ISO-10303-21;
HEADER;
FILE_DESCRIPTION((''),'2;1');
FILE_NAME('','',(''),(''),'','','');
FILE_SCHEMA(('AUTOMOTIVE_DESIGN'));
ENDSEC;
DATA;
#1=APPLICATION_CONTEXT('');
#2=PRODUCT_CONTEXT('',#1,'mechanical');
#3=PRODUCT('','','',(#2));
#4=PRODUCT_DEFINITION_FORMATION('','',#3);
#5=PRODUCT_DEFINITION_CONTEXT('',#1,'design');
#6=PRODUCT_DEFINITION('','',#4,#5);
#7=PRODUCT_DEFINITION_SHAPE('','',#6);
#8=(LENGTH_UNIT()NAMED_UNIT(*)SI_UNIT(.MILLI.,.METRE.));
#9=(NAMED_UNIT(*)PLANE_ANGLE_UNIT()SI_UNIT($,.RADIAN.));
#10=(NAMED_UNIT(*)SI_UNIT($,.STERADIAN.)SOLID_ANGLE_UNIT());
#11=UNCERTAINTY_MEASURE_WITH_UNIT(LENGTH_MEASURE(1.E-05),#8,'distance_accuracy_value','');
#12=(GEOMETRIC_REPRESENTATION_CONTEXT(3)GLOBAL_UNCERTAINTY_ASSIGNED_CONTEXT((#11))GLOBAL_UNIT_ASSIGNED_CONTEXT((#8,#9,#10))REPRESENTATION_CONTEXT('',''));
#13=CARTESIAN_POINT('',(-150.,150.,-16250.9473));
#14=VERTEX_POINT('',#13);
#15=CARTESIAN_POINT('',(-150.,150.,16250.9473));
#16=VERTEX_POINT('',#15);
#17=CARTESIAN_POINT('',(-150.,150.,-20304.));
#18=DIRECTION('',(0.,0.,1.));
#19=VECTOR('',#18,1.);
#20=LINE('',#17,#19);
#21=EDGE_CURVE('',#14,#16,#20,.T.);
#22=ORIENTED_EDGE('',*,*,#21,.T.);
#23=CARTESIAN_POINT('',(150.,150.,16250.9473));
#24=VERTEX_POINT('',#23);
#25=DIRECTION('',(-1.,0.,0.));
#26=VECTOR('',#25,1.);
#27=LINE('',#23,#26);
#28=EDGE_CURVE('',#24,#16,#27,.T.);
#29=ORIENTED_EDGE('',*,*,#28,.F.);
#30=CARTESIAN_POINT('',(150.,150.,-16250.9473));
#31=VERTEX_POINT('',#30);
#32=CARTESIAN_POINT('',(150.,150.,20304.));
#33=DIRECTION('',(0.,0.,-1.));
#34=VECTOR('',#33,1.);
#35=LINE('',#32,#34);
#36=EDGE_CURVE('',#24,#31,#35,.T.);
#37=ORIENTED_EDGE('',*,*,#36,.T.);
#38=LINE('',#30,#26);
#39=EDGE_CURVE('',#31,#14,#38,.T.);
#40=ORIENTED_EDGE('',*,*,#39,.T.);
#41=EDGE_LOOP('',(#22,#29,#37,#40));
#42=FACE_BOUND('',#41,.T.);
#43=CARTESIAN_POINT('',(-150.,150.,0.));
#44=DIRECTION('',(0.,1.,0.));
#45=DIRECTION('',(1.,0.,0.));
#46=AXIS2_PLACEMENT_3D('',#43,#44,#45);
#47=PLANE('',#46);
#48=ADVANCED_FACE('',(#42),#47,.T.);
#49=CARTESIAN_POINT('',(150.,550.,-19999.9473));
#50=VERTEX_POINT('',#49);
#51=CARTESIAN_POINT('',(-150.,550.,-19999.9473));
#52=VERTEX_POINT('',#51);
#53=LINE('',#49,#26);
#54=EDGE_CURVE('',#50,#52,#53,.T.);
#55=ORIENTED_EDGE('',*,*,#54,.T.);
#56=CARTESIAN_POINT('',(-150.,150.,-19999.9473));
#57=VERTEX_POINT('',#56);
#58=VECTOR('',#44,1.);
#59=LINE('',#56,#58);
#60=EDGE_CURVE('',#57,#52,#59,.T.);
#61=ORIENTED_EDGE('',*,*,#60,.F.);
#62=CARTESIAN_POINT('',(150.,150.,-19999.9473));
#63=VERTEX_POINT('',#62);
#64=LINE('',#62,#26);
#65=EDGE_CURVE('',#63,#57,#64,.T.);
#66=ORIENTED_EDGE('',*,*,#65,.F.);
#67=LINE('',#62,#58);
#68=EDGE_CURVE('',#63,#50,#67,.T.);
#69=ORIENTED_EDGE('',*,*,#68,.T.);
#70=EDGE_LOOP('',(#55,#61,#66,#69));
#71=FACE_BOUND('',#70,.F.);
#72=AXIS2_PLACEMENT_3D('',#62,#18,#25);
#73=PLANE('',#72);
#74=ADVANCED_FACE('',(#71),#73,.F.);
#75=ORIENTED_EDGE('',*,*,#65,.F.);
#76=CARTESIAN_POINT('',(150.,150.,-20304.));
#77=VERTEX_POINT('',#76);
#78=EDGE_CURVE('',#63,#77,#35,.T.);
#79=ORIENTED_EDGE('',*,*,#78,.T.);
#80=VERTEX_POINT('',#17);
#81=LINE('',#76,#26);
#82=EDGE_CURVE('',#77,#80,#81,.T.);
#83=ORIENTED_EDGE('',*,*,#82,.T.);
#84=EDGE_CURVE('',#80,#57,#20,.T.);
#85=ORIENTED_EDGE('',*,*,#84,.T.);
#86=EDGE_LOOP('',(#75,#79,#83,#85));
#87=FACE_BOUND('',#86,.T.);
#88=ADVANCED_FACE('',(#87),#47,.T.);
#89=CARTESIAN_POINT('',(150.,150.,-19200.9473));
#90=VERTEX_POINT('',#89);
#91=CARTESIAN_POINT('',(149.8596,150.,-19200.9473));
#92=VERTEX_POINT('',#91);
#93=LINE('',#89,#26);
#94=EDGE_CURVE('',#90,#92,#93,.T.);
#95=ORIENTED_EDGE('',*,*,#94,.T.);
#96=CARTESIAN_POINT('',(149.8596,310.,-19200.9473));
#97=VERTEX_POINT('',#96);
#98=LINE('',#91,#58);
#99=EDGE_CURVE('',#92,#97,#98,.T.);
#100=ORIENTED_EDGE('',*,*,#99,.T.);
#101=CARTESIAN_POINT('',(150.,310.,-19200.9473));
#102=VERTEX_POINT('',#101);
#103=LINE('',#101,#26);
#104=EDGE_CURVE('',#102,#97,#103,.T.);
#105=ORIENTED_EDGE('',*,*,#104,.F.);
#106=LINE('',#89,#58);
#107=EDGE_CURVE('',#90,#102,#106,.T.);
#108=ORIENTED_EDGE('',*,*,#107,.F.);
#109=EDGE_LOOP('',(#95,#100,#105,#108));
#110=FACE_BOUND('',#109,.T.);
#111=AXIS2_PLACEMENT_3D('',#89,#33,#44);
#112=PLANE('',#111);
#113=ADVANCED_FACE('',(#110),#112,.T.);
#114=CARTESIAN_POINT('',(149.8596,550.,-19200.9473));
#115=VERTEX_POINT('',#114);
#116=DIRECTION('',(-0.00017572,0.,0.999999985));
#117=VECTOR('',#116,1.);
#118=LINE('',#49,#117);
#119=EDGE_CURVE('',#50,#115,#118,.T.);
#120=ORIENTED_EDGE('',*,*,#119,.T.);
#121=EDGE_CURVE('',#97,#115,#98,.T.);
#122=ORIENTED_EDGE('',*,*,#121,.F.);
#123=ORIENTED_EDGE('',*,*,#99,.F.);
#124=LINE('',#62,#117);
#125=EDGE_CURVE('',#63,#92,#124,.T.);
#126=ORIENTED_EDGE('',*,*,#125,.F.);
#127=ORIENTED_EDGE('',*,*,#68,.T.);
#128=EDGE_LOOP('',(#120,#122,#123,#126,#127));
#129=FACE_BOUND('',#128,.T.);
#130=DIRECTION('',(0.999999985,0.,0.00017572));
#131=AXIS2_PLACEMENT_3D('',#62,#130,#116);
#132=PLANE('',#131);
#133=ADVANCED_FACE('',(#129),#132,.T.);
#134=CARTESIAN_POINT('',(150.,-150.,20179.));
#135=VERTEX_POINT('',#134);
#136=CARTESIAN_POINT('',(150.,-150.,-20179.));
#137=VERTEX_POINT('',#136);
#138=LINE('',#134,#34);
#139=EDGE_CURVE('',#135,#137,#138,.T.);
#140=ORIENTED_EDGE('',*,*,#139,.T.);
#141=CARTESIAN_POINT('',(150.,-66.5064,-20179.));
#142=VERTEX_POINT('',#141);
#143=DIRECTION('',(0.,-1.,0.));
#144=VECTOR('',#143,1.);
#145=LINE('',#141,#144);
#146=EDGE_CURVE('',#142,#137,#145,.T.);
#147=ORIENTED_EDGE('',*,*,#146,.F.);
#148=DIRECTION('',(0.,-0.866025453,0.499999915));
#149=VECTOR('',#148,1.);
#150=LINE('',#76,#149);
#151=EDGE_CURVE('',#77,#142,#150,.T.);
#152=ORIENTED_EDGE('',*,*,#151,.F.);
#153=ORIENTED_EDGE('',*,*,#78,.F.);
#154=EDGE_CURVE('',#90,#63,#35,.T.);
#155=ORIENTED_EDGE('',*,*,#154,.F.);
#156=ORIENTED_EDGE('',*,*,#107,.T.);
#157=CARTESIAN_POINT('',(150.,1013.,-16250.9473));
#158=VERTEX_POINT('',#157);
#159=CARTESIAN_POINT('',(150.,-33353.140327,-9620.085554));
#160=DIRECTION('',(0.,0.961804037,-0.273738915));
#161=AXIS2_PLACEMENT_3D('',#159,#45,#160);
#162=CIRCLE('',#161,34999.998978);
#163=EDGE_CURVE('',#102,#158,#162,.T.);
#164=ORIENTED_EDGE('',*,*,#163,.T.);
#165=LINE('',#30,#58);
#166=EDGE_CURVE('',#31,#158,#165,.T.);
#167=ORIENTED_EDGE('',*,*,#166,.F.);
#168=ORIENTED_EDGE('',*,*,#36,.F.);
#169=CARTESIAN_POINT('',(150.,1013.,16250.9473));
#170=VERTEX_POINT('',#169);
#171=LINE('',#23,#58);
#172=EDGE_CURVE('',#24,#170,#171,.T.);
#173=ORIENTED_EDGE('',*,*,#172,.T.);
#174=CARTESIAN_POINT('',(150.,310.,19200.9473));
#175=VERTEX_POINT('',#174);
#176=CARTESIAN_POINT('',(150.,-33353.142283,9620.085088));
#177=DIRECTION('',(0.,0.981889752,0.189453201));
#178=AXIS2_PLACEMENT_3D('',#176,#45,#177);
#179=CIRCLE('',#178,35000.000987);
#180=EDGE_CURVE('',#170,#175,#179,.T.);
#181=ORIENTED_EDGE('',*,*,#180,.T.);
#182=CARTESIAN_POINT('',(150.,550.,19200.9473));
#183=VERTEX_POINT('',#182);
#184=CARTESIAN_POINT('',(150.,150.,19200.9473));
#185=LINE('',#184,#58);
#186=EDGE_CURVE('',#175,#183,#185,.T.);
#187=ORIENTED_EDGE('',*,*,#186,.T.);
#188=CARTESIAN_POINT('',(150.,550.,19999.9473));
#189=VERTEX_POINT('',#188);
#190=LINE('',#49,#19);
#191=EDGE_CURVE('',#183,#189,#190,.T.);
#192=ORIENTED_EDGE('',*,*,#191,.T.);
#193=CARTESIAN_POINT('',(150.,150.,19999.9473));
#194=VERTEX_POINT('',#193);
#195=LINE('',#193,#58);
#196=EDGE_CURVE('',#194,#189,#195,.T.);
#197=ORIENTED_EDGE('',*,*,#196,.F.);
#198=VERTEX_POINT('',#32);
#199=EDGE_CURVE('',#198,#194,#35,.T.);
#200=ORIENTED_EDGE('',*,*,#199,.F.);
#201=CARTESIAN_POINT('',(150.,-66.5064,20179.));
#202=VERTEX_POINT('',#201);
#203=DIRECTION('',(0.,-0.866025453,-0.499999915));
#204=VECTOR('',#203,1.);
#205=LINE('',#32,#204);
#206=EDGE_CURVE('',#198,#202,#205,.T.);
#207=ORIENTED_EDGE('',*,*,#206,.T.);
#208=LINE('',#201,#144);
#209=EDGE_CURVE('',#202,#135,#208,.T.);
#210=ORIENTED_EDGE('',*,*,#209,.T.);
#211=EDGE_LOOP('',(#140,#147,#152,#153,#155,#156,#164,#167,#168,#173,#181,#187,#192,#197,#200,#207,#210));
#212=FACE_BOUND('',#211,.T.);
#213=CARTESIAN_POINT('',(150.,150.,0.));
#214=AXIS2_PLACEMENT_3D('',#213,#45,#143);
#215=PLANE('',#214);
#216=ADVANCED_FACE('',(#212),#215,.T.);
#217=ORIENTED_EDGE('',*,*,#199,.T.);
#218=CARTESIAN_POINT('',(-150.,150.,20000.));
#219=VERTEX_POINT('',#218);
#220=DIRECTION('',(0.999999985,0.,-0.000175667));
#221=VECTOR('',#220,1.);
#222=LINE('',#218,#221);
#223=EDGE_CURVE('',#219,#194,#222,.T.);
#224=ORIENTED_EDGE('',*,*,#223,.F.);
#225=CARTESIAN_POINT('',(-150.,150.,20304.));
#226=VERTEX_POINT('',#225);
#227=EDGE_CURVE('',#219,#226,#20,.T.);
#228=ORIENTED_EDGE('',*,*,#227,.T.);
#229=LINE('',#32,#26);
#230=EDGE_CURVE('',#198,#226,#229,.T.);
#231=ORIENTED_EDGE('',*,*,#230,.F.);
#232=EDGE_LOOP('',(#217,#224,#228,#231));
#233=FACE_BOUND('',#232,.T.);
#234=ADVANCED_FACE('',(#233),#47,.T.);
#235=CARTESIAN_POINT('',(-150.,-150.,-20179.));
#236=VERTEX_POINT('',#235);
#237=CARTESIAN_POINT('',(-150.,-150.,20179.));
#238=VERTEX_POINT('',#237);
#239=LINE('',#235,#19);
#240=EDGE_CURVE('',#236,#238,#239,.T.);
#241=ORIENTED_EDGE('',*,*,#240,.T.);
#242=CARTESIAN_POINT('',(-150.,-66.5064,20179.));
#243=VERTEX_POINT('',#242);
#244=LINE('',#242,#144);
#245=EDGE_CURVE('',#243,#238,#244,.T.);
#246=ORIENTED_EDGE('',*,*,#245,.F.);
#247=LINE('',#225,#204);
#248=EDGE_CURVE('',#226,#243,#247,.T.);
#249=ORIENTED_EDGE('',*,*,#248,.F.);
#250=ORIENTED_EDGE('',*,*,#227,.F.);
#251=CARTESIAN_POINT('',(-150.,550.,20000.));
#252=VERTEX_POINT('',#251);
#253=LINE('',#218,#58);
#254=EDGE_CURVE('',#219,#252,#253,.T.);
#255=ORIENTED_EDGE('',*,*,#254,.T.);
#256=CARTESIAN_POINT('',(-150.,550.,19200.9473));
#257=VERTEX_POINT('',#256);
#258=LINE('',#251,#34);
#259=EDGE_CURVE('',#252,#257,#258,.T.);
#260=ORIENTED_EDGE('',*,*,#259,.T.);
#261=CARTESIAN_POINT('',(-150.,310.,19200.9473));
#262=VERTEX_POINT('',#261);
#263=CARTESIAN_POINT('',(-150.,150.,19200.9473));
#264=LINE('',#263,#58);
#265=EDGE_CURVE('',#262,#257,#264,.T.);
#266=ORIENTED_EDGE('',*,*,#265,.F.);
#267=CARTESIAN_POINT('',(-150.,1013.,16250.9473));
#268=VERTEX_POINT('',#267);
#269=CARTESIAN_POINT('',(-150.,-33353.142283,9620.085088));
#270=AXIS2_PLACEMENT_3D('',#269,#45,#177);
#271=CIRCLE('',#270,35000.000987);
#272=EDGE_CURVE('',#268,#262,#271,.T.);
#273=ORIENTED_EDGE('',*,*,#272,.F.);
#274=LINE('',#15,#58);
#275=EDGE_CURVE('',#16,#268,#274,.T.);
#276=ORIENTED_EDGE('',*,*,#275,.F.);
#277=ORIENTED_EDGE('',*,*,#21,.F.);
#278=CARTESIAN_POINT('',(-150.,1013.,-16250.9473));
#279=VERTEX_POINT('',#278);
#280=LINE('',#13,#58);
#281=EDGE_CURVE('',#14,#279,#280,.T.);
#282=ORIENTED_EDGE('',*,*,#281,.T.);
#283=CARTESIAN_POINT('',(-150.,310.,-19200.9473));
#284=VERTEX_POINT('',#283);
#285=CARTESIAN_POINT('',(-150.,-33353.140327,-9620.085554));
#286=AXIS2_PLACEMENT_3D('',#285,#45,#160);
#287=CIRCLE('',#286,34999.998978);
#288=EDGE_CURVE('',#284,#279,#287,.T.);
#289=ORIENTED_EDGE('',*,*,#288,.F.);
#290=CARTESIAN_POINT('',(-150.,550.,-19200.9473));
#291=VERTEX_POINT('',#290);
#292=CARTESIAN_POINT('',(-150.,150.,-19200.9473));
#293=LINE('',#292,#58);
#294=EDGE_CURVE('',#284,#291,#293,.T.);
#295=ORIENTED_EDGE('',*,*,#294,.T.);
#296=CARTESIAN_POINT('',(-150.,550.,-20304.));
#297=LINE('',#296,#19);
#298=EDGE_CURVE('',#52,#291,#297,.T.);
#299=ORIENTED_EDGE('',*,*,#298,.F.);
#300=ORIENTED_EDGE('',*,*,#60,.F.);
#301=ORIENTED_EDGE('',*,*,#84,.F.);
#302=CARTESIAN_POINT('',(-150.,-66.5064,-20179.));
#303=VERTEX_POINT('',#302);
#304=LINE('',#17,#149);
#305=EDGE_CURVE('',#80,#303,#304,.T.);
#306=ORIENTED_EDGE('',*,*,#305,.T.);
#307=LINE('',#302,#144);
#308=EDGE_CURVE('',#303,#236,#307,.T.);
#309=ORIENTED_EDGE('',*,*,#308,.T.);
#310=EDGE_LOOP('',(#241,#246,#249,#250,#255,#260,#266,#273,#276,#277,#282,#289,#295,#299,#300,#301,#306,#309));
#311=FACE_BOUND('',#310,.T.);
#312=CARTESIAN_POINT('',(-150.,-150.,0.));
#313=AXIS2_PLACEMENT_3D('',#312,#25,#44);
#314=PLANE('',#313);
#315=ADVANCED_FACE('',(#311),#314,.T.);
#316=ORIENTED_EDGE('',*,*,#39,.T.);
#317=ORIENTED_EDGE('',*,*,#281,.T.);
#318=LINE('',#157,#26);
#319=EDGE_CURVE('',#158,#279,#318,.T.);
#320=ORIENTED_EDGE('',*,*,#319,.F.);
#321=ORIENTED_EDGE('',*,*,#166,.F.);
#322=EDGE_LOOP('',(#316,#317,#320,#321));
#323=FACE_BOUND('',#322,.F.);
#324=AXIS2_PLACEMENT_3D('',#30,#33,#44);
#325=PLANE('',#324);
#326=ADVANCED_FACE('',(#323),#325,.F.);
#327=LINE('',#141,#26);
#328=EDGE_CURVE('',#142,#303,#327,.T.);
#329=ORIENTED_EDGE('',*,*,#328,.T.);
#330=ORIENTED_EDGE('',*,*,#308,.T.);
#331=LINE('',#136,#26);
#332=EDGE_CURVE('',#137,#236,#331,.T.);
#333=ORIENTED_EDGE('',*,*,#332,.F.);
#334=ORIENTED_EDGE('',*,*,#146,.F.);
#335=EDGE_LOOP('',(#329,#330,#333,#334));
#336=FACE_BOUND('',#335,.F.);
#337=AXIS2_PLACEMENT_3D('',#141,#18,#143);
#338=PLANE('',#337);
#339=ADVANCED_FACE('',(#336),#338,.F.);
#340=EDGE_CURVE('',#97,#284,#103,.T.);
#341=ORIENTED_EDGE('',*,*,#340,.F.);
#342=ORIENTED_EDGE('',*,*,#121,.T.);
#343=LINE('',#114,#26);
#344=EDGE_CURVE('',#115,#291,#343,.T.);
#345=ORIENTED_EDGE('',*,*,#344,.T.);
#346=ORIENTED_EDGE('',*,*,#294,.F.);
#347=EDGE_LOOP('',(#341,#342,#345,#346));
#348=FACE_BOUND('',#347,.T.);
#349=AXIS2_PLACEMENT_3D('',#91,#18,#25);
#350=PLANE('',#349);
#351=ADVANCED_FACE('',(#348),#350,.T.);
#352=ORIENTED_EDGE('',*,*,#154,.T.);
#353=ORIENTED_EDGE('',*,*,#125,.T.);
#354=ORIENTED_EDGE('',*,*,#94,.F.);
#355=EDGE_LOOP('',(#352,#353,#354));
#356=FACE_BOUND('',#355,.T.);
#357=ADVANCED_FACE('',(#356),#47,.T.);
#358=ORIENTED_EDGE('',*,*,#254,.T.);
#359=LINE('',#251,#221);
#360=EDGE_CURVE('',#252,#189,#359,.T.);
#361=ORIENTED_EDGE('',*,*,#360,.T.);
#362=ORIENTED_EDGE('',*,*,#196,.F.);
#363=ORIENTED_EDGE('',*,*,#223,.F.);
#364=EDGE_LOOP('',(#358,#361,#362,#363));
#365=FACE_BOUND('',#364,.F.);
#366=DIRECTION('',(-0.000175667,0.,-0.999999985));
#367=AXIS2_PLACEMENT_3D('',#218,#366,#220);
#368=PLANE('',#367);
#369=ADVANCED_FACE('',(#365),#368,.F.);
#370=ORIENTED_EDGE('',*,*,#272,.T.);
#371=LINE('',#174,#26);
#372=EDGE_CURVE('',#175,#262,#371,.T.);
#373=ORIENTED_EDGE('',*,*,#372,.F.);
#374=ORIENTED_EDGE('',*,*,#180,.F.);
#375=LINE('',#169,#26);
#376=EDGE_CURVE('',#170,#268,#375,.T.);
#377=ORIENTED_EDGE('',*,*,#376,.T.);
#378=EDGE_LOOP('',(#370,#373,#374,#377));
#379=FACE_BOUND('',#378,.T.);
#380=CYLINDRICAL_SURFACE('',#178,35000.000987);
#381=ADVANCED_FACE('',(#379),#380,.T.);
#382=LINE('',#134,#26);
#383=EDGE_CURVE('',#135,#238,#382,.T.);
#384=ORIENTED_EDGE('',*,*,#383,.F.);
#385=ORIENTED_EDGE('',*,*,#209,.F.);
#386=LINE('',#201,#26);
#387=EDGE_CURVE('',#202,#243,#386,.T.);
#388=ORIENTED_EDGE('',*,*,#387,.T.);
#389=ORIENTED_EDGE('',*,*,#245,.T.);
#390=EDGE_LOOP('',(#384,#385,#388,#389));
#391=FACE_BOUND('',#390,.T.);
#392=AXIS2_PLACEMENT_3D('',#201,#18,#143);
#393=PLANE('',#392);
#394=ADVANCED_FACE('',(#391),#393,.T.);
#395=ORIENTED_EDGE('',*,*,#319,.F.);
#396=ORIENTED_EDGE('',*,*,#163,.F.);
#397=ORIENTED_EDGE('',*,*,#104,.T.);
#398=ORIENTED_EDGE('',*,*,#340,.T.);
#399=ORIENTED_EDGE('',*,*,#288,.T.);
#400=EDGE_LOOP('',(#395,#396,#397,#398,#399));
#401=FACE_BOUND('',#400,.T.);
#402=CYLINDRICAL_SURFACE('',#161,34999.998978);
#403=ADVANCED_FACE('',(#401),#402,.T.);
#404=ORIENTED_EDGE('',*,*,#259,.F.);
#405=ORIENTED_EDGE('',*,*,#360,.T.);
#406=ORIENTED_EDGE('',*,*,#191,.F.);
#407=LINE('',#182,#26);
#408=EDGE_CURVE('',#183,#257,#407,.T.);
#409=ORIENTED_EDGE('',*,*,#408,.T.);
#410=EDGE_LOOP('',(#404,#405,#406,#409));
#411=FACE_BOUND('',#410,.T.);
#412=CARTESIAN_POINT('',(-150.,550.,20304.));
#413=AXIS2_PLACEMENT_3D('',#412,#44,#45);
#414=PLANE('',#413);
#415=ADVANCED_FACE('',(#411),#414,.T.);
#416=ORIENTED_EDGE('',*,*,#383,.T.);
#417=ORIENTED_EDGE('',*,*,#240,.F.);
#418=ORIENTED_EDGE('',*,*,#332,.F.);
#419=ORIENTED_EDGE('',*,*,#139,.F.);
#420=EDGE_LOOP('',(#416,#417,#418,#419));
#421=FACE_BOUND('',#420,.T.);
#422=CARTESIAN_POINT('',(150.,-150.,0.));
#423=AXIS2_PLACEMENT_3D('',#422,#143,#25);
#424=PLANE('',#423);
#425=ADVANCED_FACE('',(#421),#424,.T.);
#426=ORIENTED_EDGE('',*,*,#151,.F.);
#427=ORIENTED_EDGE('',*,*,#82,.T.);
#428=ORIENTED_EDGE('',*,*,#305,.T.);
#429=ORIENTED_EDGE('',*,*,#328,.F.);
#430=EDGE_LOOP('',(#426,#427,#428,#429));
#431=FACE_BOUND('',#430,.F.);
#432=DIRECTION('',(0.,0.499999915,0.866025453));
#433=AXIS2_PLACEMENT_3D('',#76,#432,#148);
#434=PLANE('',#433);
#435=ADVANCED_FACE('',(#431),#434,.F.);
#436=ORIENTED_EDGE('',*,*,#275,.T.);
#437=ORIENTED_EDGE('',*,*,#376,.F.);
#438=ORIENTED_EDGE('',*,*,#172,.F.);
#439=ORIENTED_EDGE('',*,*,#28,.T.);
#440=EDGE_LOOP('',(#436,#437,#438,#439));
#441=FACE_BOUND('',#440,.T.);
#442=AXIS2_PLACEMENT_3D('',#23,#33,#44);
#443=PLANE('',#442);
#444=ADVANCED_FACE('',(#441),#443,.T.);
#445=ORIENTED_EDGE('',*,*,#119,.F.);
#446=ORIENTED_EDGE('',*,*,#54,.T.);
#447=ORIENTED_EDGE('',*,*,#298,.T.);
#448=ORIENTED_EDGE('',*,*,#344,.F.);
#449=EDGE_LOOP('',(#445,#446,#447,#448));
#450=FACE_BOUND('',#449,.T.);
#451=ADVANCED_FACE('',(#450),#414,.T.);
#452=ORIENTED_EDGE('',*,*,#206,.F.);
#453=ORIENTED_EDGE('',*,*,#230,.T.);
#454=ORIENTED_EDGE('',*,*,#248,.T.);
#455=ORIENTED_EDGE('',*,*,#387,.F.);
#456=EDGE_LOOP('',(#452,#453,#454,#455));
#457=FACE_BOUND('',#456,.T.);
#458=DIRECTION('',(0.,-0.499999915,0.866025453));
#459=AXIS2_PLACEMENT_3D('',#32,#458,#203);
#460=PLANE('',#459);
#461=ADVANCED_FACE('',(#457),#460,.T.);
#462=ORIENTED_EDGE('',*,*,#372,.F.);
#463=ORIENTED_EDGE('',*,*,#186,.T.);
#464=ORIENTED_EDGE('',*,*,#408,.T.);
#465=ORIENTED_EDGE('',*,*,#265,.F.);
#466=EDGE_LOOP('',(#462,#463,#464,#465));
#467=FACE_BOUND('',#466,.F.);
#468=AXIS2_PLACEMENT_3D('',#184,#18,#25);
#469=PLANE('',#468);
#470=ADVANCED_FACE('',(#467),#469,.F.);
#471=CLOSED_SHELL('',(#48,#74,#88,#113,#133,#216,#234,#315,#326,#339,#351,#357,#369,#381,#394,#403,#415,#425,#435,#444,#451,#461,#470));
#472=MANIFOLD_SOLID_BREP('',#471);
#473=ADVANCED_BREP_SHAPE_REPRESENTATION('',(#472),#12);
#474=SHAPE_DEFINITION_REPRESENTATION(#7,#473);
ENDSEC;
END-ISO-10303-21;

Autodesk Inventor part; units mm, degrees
ref_plane "YZ Plane" through (0, 0, 0) normal (1, 0, 0) x (0, 1, 0)
ref_plane "XZ Plane" through (0, 0, 0) normal (0, 1, 0) x (-1, 0, 0)
ref_plane "XY Plane" through (0, 0, 0) normal (0, 0, 1) x (1, 0, 0)
sketch "Sketch1" plane through (0, 0, 0) normal (0, 0, 1) x (1, 0, 0)
  point P0 (0, 0)
sketch "Sketch2" plane through (0, 0, 0) normal (0, 0, 1) x (1, 0, 0)
  line L0 (-150, 150) -> (150, 150)
  line L1 (150, 150) -> (150, -150)
  line L2 (150, -150) -> (-150, -150)
  line L3 (-150, -150) -> (-150, 150)
  line L4 (-150, 150) -> (150, -150) construction
  line L5 (150, 150) -> (-150, -150) construction
  point P0 (0, 0)
  dimension "d0" = 300
  dimension "d1" = 300
extrude "Extrusion1" add sketch "Sketch2" along normal mid plane 38608
sketch "Sketch4" plane through (150, 150, 19304) normal (1, 0, 0) x (0, 0, -1)
  point P0 (19304, -150)
sketch "Sketch5" plane through (-150, 150, 19304) normal (0, 1, 0) x (1, 0, 0)
  point P0 (150, 19304)
sketch "Sketch6" plane through (150, 150, 19304) normal (1, 0, 0) x (0, 0, -1)
  line L0 (38608, 0) -> (0, 0) projected
  line L1 (0, -300) -> (0, 0)
  line L2 (0, 0) -> (-1000, 0)
  line L3 (-1000, 0) -> (-875, -216.5064)
  line L4 (-875, -216.5064) -> (-695.9473, -300)
  line L5 (-695.9473, -300) -> (0, -300)
  line L6 (38608, -300) -> (38608, 0)
  line L7 (38608, 0) -> (39608, 0)
  line L8 (39608, 0) -> (39483, -216.5064)
  line L9 (39483, -216.5064) -> (39303.9473, -300)
  line L10 (39303.9473, -300) -> (38608, -300)
  point P0 (19304, -150)
  dimension "d10" = 1000
  dimension "d11" = 250
  dimension "d12" = 60
  dimension "d13" = 145
extrude "Extrusion3" add sketch "Sketch6" against normal blind 300
sketch "Sketch7" plane through (150, 150, 20304) normal (1, 0, 0) x (0, 0, -1)
  line L0 (40303.9473, -300) -> (304.0527, -300) projected
  point P0 (20304, -150)
sketch "Sketch8" plane through (-150, 150, 20304) normal (0, 1, 0) x (1, 0, 0)
  line L0 (0, 40608) -> (0, 0) projected
  line L1 (0, 0) -> (0, 304)
  line L2 (300, 40303.9473) -> (300, 304.0527) projected
  line L3 (0, 304) -> (300, 304.0527)
  line L4 (300, 304.0527) -> (300, 1103.0527)
  line L5 (300, 1103.0527) -> (0, 1103.0527)
  line L6 (0, 1103.0527) -> (0, 304)
  line L7 (0, 40608) -> (0, 40304)
  line L8 (300, 40303.9473) -> (0, 40303.9473) projected
  line L9 (0, 40304) -> (300, 40303.9473)
  line L10 (300, 40303.9473) -> (299.8596, 39504.9473)
  line L11 (299.8596, 39504.9473) -> (0, 39504.9473)
  line L12 (0, 40303.9473) -> (0, 39504.9473)
  line L13 (0, 304.0527) -> (0, 40303.9473) projected
  point P0 (150, 20304)
  point P1 (0, 1103.0527)
  dimension "d16" = 304
  dimension "d17" = 799
  dimension "d18" = 304
  dimension "d19" = 799
  dimension "d20" = 90
extrude "Extrusion4" add sketch "Sketch8" along normal blind 400 contours L8 L10 L11 L0 | L2 L3 L0 L5
sketch "Sketch9" plane through (150, -150, 19999.9473) normal (1, 0, 0) x (0, 0, -1)
  line L0 (0, 0) -> (-179.0527, 83.4936) projected
  line L1 (-179.0527, 83.4936) -> (-179.0527, 0)
  line L2 (-179.0527, 0) -> (0, 0)
  line L3 (0, 0) -> (-179.0527, 83.4936)
  line L4 (0, 0) -> (39999.8946, 0) projected
  line L5 (40178.9473, 83.4936) -> (40303.9473, 300) projected
  line L6 (39999.8946, 0) -> (40178.9473, 83.4936)
  line L7 (40178.9473, 83.4936) -> (40178.9473, 0)
  line L8 (40178.9473, 0) -> (39999.8946, 0)
  point P0 (19999.9473, 150)
extrude "Extrusion5" add sketch "Sketch9" against normal blind 300
sketch "Sketch11" plane through (150, 150, 19200.9473) normal (1, 0, 0) x (0, 0, -1)
  line L0 (39200.8946, 0) -> (0, 0) projected
  line L1 (0, 0) -> (2950, 0)
  line L2 (0, 0) -> (0, 160)
  line L3 (0, 0) -> (0, 400) projected
  line L4 (2950, 0) -> (2950, 863)
  line L5 (2950, 0) -> (3813, 0) construction
  arc A0 (2950, 863) -> (0, 160) centre (9580.862, -33503.1413) ccw
  line L6 (19200.9473, -150) -> (19200.9473, 2504.8951)
  line L7 (-799, 0) -> (38401.8946, 0)
  line L8 (38401.8946, 0) -> (38401.8946, 160)
  line L9 (35451.8946, 0) -> (35451.8946, 863)
  arc A1 (38401.8946, 160) -> (35451.8946, 863) centre (28821.0326, -33503.1413) ccw
  dimension "d25" = 2950
  dimension "d27" = 160
  dimension "d28" = 863
  dimension "d29" = 90
  dimension "d30" = 35000
extrude "Extrusion6" add sketch "Sketch11" against normal blind 300
properties part number "main_crossbeam" material "Wood Shake"
